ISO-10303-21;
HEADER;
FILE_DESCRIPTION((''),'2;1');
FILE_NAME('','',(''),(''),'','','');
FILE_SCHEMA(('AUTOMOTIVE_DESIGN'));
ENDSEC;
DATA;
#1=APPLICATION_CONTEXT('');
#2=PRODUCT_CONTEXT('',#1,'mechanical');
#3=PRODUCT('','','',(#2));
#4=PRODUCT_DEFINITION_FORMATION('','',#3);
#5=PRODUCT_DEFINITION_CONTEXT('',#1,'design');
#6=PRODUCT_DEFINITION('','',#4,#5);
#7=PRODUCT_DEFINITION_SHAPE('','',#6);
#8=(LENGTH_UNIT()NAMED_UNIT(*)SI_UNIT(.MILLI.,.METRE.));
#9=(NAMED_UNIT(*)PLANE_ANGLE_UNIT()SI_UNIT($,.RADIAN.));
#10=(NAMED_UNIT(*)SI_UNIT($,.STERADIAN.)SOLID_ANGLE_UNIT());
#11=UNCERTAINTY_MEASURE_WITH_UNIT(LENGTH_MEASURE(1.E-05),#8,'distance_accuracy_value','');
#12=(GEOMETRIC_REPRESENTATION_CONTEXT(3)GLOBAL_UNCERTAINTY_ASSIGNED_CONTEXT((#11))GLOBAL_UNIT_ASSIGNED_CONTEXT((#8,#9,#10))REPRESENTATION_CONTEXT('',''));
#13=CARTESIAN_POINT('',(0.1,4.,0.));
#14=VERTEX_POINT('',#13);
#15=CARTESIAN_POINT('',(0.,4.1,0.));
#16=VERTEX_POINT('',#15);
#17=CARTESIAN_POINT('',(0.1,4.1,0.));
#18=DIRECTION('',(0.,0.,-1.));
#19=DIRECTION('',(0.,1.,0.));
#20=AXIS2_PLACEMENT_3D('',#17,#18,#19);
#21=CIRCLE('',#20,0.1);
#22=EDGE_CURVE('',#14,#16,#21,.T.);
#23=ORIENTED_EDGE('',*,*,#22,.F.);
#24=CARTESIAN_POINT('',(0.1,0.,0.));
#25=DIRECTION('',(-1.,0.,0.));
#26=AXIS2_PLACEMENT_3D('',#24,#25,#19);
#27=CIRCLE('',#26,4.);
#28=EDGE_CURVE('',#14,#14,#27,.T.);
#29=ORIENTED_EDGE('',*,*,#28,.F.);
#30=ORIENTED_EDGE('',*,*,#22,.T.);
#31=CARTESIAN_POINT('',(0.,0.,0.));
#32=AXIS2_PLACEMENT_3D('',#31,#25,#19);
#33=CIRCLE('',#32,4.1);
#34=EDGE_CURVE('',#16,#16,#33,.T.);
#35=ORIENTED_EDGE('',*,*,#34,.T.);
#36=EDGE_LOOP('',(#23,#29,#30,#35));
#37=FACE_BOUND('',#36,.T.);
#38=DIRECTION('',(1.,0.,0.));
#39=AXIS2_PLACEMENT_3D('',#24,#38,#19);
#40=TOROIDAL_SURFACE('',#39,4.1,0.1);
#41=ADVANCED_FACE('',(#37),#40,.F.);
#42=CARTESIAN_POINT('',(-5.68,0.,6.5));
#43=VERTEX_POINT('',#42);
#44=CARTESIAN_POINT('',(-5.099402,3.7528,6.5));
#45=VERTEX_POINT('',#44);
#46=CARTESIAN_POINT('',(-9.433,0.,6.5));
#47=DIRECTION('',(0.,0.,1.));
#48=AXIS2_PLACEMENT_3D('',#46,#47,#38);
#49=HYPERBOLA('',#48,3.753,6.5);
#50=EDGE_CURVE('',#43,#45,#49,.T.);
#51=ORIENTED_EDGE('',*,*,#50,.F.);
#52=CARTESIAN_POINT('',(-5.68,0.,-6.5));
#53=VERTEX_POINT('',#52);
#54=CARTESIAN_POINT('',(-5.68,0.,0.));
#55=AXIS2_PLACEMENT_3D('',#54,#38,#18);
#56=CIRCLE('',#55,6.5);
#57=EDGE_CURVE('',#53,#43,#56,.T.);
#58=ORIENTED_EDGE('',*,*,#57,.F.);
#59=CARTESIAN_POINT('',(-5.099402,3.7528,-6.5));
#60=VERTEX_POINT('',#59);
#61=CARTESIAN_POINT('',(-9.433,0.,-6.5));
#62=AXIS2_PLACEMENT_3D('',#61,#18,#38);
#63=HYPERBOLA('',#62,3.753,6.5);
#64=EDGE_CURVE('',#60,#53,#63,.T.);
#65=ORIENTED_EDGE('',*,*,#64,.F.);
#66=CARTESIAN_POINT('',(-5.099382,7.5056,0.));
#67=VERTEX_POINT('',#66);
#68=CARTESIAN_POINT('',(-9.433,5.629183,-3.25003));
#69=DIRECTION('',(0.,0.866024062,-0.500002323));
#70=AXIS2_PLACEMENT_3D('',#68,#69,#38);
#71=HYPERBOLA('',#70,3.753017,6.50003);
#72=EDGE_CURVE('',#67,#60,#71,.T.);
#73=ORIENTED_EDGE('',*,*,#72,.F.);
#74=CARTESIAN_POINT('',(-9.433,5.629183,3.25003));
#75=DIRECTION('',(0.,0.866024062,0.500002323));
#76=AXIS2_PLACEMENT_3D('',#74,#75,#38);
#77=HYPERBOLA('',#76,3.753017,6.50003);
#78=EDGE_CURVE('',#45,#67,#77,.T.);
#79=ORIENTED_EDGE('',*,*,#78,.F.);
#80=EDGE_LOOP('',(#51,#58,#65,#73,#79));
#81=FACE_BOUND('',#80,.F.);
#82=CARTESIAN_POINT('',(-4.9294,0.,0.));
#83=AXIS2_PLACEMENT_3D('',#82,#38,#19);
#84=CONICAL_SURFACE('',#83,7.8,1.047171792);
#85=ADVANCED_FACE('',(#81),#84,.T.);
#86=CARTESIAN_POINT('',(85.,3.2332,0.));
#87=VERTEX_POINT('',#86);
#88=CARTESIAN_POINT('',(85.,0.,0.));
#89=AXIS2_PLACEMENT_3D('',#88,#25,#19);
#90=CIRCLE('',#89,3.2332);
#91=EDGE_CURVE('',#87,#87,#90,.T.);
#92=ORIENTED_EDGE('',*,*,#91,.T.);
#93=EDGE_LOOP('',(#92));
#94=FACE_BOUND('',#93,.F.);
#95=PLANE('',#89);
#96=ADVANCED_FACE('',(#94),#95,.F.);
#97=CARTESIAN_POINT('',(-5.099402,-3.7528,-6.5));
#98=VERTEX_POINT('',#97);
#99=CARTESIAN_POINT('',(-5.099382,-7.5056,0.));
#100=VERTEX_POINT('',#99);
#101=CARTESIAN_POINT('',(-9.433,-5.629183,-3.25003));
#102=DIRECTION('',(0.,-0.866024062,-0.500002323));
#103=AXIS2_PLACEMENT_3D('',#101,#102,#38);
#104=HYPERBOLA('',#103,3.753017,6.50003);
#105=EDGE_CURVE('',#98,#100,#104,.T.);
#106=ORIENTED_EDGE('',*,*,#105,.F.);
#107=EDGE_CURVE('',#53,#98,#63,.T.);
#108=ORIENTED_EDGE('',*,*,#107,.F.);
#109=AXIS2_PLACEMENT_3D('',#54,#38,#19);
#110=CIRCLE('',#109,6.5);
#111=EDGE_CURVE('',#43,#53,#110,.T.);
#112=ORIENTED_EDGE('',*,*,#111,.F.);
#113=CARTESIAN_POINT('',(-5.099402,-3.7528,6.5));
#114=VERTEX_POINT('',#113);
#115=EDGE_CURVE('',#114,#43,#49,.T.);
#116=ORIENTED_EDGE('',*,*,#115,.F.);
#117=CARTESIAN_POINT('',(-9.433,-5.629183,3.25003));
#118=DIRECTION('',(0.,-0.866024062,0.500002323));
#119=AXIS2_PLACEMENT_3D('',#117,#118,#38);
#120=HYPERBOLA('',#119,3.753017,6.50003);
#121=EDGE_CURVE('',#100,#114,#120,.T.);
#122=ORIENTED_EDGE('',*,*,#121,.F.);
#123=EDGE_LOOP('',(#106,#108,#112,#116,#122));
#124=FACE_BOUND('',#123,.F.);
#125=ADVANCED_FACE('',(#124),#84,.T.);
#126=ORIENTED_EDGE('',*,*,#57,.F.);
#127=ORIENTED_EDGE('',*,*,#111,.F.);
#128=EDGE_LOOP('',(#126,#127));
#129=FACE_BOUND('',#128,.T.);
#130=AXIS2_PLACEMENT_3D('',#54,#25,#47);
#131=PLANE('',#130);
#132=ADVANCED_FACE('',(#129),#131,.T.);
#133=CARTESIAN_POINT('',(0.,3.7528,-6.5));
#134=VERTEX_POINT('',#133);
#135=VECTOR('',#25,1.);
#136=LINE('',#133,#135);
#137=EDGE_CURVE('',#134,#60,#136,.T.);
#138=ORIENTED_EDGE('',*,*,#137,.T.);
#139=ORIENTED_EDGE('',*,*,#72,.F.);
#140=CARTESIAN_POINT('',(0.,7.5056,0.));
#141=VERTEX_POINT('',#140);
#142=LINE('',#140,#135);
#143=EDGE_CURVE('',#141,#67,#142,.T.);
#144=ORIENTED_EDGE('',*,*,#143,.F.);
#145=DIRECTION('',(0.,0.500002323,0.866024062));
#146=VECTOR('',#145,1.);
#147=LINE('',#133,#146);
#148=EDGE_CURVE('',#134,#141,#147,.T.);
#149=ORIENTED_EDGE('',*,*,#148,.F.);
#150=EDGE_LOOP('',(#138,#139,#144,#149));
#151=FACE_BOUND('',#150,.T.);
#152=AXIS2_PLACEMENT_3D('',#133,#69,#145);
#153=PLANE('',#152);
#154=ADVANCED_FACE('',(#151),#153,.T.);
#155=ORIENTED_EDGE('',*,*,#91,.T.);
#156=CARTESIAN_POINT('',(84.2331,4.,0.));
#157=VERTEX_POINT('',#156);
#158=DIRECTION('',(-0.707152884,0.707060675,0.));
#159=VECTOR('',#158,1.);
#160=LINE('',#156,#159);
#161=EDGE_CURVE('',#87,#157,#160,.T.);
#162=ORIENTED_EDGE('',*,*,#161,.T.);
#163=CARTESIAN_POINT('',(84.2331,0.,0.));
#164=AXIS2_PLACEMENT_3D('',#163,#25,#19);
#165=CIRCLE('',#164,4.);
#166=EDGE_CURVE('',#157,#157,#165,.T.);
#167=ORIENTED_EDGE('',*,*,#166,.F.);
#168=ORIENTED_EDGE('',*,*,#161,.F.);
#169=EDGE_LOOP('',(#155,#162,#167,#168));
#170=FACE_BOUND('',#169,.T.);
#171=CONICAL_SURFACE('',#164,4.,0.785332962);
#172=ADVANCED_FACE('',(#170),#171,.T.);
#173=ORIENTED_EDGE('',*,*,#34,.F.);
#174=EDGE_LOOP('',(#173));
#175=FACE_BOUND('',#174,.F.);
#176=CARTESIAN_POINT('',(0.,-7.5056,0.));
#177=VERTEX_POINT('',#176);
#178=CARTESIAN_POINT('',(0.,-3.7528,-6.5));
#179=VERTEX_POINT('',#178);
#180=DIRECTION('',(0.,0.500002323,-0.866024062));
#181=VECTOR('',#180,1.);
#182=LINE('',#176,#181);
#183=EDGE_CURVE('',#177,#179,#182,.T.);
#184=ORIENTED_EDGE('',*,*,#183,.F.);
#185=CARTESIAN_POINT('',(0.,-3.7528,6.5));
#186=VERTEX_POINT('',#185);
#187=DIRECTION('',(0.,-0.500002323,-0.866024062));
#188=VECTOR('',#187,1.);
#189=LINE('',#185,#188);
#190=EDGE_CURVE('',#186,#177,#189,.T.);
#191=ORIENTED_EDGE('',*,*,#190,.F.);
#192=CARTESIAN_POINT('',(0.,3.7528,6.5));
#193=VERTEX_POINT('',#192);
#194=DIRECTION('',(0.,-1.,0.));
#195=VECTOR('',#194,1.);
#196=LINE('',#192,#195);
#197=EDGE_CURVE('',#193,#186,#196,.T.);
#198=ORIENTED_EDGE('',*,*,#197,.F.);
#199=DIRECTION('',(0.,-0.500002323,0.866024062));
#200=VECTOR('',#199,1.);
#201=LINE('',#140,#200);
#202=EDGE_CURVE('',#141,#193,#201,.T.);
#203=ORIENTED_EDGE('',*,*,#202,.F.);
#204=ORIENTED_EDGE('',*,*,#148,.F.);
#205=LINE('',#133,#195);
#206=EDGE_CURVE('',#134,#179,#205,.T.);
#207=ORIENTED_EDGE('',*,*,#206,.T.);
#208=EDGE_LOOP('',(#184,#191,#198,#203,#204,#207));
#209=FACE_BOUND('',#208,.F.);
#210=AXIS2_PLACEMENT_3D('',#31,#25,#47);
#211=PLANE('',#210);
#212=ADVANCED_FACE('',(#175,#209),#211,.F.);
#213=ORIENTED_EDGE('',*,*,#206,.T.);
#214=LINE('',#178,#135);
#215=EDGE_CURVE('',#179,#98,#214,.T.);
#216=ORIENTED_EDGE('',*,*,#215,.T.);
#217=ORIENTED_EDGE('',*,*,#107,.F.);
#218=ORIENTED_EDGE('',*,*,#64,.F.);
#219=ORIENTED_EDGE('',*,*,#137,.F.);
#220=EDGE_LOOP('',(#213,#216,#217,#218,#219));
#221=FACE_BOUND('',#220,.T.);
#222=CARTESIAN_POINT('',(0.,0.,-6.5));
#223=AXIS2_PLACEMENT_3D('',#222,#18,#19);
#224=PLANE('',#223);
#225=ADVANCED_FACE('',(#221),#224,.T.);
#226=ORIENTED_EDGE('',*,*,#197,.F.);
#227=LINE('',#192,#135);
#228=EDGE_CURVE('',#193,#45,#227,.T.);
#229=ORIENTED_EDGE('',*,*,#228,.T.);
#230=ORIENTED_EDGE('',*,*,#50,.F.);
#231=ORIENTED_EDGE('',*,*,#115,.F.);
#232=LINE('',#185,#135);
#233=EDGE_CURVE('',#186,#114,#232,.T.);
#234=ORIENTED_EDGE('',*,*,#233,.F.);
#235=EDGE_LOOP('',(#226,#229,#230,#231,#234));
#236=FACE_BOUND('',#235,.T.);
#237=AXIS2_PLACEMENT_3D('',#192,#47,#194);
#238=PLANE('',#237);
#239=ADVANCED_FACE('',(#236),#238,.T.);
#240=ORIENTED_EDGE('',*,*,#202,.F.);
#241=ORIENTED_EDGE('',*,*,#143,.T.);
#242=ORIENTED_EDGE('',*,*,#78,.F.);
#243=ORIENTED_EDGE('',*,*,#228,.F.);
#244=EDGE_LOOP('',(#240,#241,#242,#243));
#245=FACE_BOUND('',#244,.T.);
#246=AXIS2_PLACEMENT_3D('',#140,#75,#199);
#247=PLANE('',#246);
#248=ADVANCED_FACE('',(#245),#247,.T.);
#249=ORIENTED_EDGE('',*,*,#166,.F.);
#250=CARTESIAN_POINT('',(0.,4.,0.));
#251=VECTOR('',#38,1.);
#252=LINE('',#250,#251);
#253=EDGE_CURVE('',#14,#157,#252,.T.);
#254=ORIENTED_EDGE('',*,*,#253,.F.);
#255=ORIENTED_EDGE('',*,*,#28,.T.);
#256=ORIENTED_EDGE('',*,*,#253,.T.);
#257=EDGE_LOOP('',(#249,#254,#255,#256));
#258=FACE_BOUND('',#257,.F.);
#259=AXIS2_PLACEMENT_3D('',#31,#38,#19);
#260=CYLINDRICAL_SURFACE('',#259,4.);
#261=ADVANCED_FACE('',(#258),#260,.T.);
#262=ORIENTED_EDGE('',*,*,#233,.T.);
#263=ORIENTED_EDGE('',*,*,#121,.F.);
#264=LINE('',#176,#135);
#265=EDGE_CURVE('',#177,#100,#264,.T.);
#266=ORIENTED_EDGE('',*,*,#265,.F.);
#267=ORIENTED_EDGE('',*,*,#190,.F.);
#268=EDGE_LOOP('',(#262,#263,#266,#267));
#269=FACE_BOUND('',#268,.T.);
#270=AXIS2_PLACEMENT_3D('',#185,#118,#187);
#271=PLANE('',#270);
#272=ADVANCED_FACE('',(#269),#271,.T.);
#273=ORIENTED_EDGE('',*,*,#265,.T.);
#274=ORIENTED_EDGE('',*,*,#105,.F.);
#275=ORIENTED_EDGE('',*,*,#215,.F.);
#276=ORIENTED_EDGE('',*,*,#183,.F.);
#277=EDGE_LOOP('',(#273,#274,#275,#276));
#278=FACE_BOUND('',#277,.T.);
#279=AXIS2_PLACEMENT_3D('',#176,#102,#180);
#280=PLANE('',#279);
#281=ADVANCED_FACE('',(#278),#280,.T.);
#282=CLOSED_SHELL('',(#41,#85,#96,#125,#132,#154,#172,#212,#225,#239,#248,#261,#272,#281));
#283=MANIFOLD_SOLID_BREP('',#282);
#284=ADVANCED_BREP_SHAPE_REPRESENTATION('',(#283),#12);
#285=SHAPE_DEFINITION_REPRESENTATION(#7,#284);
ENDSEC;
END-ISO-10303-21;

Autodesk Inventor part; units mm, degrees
ref_plane "YZ Plane" through (0, 0, 0) normal (1, 0, 0) x (0, 1, 0)
ref_plane "XZ Plane" through (0, 0, 0) normal (0, 1, 0) x (-1, 0, 0)
sketch "Sketch1" plane through (0, 0, 0) normal (0, 0, 1) x (1, 0, 0)
  line L0 (0, 4) -> (85, 4)
  line L1 (85, 4) -> (85, 0)
  line L2 (85, 0) -> (0, 0)
  line L3 (-14, 0) -> (84, 0) projected
  line L4 (0, -0.8) -> (0, 4.8) projected
  line L5 (0, 4) -> (0, 0)
  dimension "d2" = 8
  dimension "d59" = 85
revolve "Body" add sketch "Sketch1" angle 360 about axis through (85, 0, 0) along (-1, 0, 0)
sketch "Sketch2" plane through (0, 0, 0) normal (-1, 0, 0) x (0, 0, 1)
  line L0 (0, 7.5056) -> (6.5, 3.7528)
  line L1 (6.5, 3.7528) -> (6.5, -3.7528)
  line L2 (6.5, -3.7528) -> (0, -7.5056)
  line L3 (0, -7.5056) -> (-6.5, -3.7528)
  line L4 (-6.5, -3.7528) -> (-6.5, 3.7528)
  line L5 (-6.5, 3.7528) -> (0, 7.5056)
  line L6 (-9.1, 0) -> (9.1, 0) projected
  line L7 (0, 10.5078) -> (0, -10.5078) projected
  point P0 (0, 0)
  point P1 (0, 0)
  dimension "d11" = 13
extrude "Head" add sketch "Sketch2" along normal blind 5.68
sketch "Sketch4" plane through (0, 0, 0) normal (0, 0, 1) x (1, 0, 0)
  line L0 (-4.9294, 7.8) -> (-5.68, 6.5)
  line L1 (-1.1, 0) -> (-0.234, 0)
  line L2 (-6.7692, 0) -> (0.8552, 0) projected
  line L3 (-5.68, 7.8) -> (-4.9294, 7.8)
  line L4 (-5.68, 6.5) -> (-5.68, 7.8)
  line L5 (0, 9.36) -> (0, -1.56) projected
  dimension "d65" = 13
  dimension "d67" = 30
  dimension "d68" = 15.6
  dimension "d69" = 5.68
revolve "Chamfer1" cut sketch "Sketch4" angle 360 about axis through (-1.1, 0, 0) along (1, 0, 0)
thread "Thread" size "M8x1.25" class "6g" standard "ISO Metric profile" length 22
chamfer "Chamfer2" distance 0.7668 distance2 0.7669 1 edges at (85, -4, 0) measured on face at (85, -0.4728, -1.2467)
fillet "Fillet" radius 0.1 1 edges at (0, -4, 0)
ref_plane "Work Plane1" through (1.525, 0, 0) normal (0, 0, 1) x (1, 0, 0)
equation "\"d2\" = GD"
equation "\"d59\" = NLG"
equation "\"d11\" = SW"
equation "\"d3\" = KOH"
equation "\"d15\" = GEL"
equation "\"d6\" = -0.5 * SPD + 0.5 * GD"
equation "\"d71\" = RR"
equation "\"d65\" = SW"
equation "\"d67\" = ANG1"
equation "\"d68\" = 1.2 * SW"
equation "\"d69\" = KOH"
equation "\"NLG\" = 85"
equation "\"GD\" = NND"
equation "\"BDM\" = NND"
equation "\"KOH\" = 5.68"
equation "\"GEL\" = 22"
equation "\"SW\" = 13"
equation "\"SW0\" = SW"
equation "\"SPD\" = NND - 1.2269 * PTC"
equation "\"SD2\" = NND"
equation "\"SD\" = 0"
equation "\"ANG1\" = 30deg"
equation "\"GAL\" = 0.61345 * PTC"
equation "\"GUL\" = 0.61345 * PTC"
equation "\"RR\" = 0.1"
equation "\"RR1\" = 0.4"
equation "\"GD1\" = THREADDIA - 1.2269 * PTC"
equation "\"THREADDIA\" = 8"
equation "\"TOA\" = 30deg"
equation "\"PTC\" = 1.25"
equation "\"KOH1\" = 3.7"
equation "\"NND\" = 8"
equation "\"E0\" = 1.155 * SW"
properties part number "M8x85" material "Steel, Mild"
